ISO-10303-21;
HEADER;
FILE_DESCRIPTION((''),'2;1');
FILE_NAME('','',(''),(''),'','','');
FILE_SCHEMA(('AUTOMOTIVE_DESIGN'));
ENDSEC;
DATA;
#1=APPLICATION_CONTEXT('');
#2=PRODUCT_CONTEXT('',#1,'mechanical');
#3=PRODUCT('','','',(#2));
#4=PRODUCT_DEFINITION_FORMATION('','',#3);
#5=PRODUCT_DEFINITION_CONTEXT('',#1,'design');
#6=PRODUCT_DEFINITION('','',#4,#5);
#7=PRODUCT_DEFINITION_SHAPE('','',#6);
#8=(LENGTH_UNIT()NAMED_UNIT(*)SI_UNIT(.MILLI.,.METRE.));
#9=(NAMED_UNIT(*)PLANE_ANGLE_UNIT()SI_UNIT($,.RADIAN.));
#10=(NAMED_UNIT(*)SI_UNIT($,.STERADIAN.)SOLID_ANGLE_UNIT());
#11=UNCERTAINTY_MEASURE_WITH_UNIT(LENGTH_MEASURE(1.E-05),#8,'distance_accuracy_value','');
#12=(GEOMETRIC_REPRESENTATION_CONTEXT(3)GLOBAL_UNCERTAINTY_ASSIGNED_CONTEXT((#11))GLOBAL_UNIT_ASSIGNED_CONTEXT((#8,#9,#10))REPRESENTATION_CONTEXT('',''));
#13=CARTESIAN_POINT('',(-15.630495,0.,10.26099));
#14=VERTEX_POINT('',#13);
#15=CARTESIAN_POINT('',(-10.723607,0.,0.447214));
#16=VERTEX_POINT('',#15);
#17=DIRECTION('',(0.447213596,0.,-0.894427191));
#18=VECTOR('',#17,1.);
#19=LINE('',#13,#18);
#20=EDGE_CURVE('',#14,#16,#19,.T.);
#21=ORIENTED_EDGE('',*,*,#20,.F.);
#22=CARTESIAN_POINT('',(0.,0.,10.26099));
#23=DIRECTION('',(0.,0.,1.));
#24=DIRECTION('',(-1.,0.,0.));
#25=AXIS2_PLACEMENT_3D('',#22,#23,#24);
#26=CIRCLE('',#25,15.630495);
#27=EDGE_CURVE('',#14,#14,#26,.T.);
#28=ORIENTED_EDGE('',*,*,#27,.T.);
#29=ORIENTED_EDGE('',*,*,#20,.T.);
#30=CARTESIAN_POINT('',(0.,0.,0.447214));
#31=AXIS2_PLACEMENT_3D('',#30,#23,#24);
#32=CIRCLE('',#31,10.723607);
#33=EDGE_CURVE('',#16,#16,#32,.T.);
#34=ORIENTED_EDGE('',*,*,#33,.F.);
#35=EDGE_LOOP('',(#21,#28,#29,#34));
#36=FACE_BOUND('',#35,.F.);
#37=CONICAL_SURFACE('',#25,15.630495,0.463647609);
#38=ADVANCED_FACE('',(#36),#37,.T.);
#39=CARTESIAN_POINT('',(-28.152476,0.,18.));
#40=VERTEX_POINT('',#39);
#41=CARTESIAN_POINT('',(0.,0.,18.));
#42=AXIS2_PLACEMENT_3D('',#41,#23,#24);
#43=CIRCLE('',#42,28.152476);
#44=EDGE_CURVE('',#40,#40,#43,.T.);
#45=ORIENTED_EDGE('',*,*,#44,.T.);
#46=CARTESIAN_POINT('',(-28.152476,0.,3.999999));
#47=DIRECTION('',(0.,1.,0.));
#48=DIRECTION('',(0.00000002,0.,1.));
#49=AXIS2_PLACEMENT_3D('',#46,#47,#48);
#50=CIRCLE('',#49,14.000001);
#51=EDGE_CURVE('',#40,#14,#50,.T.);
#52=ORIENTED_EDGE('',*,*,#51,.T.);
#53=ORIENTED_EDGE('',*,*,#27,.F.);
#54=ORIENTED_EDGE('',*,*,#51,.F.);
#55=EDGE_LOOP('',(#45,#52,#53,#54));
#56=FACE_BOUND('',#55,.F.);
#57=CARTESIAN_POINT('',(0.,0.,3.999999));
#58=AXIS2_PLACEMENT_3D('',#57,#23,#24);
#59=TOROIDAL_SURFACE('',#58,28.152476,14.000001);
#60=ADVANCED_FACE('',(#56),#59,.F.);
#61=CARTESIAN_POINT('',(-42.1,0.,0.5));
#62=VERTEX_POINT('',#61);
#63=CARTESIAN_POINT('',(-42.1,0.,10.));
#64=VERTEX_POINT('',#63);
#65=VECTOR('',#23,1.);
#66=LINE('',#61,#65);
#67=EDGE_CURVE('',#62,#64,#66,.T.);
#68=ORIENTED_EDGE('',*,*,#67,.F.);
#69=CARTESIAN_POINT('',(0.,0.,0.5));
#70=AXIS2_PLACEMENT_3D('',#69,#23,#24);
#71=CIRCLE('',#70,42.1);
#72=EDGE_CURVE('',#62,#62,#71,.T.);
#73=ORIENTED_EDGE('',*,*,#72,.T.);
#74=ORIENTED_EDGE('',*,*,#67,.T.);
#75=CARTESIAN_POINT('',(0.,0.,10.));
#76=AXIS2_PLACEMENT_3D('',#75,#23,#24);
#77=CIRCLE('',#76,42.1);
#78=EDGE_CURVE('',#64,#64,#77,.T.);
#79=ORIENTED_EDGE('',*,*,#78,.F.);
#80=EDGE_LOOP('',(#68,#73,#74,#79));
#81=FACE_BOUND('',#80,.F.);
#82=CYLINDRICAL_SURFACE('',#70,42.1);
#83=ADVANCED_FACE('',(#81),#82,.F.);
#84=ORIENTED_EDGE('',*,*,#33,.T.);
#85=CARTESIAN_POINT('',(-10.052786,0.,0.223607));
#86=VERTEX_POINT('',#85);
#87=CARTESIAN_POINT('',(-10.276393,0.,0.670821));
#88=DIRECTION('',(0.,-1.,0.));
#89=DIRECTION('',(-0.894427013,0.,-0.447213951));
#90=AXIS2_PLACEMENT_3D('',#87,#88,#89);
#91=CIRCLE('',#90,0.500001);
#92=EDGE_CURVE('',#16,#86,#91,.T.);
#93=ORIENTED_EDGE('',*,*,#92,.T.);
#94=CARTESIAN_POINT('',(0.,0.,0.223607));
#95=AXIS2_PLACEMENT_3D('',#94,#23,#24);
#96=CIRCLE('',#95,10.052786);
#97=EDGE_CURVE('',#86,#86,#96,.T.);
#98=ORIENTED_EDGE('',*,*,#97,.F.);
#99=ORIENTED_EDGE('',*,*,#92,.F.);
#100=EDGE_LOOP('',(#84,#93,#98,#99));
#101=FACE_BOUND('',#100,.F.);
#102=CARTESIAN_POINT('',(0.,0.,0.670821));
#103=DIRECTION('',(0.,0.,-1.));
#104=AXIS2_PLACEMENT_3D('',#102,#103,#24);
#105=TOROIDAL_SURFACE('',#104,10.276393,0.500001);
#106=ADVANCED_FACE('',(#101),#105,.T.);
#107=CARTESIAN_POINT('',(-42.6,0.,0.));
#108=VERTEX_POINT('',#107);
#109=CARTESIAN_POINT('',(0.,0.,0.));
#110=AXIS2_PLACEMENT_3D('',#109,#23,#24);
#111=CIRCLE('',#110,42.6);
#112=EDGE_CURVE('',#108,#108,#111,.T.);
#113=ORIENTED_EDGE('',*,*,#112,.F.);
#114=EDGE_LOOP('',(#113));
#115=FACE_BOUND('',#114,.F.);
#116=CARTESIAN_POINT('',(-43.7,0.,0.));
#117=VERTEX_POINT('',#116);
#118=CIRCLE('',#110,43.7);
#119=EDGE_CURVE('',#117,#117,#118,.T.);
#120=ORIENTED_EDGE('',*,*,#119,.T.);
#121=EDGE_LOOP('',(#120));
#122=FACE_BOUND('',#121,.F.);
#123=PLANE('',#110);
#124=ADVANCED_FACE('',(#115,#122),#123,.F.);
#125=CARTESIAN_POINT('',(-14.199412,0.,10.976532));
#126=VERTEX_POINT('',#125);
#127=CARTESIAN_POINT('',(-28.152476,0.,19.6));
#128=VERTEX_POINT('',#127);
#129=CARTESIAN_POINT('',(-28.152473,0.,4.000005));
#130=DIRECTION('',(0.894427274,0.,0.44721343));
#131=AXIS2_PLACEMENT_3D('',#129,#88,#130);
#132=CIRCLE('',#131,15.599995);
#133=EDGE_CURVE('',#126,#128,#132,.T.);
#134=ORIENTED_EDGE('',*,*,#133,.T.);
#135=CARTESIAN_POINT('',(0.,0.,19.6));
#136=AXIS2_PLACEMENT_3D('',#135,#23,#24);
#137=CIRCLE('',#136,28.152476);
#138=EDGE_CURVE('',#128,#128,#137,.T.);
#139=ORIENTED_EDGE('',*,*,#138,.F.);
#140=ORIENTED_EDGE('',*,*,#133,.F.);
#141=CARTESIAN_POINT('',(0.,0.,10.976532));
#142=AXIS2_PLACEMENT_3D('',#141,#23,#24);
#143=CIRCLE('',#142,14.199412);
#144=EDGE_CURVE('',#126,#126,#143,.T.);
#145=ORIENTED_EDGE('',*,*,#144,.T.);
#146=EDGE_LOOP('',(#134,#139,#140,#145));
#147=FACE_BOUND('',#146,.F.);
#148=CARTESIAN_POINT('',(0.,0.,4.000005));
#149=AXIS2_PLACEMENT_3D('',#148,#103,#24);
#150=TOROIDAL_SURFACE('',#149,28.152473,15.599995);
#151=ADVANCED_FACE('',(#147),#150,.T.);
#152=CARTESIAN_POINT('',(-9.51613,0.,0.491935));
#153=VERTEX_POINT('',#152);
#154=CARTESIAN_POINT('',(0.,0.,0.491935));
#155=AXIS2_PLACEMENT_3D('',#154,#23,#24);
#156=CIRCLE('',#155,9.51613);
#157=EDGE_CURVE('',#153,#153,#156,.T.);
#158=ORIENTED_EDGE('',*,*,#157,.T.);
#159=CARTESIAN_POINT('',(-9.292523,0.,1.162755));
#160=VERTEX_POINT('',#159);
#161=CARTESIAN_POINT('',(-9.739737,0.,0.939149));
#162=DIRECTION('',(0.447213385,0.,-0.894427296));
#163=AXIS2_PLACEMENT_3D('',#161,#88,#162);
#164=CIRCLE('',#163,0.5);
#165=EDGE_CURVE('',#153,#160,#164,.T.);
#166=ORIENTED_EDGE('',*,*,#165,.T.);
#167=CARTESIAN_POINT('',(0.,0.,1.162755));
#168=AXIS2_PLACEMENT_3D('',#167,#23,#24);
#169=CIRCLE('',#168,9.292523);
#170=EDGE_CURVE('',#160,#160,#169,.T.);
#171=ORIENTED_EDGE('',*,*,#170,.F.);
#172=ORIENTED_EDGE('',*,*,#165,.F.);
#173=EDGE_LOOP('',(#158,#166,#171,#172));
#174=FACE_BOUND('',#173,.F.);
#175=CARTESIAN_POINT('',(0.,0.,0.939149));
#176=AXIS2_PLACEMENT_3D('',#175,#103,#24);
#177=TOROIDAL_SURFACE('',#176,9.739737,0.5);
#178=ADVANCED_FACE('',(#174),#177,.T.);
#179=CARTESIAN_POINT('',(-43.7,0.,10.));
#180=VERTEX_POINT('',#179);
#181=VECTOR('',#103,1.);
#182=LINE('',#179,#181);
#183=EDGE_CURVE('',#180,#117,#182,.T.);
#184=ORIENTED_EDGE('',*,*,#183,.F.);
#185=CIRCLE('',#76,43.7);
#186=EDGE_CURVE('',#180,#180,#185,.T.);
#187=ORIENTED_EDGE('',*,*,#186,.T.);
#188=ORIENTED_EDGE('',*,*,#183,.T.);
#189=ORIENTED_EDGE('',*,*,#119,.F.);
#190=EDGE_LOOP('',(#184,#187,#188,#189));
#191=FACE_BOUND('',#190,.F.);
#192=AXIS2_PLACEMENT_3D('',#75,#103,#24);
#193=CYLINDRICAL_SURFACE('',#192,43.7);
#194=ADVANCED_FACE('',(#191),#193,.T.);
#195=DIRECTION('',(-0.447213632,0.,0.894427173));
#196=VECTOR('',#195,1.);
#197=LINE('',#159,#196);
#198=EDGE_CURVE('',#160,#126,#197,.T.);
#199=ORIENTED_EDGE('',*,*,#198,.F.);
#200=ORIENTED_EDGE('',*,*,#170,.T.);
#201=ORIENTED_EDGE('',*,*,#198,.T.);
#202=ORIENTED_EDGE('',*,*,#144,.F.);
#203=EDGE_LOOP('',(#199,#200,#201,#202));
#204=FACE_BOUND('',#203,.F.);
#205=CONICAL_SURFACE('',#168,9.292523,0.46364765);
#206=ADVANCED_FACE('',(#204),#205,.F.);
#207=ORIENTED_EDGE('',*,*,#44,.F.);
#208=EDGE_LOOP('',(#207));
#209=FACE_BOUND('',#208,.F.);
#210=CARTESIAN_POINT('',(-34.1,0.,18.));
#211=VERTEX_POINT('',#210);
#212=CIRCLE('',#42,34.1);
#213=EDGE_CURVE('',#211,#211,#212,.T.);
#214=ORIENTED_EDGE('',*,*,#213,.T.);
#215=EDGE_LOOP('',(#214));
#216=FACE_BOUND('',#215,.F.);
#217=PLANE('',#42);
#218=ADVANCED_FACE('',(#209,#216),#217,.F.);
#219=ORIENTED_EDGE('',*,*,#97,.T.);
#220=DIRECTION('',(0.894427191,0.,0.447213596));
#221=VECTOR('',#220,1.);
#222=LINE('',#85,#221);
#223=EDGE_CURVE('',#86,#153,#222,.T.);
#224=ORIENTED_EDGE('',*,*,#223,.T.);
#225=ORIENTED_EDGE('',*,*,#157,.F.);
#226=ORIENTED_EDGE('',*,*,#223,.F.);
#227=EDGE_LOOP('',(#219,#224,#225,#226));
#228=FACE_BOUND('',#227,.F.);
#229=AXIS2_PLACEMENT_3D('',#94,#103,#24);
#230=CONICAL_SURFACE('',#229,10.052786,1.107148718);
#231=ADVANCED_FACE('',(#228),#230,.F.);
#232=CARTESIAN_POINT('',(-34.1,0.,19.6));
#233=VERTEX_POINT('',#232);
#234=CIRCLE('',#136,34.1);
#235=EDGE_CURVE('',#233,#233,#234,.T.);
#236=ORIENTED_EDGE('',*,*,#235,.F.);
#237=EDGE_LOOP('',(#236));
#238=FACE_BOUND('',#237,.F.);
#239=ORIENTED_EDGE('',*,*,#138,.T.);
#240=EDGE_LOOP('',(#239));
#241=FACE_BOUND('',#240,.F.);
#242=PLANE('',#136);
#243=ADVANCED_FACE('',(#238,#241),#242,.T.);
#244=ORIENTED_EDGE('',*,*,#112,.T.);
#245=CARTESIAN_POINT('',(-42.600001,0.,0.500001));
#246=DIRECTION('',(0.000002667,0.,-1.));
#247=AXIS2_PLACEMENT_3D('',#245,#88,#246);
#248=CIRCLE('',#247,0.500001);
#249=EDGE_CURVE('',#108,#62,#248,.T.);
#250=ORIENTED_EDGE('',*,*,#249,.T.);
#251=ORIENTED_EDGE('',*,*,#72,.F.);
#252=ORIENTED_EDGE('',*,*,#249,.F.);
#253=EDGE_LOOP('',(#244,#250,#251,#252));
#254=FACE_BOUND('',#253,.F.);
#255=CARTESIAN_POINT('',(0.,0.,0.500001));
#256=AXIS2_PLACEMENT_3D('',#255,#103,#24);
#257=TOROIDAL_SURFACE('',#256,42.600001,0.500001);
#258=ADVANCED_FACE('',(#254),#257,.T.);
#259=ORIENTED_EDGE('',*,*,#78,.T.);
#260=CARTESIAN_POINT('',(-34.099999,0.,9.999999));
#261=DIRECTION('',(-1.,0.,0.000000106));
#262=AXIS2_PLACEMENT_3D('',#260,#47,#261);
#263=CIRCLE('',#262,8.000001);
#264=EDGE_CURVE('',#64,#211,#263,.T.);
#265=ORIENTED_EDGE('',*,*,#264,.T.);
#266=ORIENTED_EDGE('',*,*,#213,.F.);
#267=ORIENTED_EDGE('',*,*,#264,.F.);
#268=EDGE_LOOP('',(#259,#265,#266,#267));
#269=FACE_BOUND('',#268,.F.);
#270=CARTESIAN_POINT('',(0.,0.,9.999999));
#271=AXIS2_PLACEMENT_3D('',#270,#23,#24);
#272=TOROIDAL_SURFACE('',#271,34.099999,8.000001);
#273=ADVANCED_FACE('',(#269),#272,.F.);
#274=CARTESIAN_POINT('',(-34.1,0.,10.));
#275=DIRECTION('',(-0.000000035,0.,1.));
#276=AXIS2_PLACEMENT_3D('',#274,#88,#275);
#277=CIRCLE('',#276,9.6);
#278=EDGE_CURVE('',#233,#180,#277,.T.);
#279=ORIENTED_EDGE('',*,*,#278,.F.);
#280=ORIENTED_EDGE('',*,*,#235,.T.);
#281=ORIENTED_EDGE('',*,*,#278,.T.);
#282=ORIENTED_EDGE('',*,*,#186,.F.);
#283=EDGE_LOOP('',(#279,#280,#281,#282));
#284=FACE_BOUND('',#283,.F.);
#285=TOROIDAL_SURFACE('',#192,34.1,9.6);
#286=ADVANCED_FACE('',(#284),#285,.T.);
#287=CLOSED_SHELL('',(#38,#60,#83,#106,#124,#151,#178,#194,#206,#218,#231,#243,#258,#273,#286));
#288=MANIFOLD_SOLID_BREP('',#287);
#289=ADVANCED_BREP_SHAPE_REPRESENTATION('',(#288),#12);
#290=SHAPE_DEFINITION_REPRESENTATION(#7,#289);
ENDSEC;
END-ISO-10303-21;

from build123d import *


with BuildPart() as f1:
    # F0 (on Front) → F1 (revolve)
    with BuildSketch(Plane.XZ):
        with BuildLine():
            Line((-15.630495, 10.26099), (-10.723607, 0.447214))
            ThreePointArc((-10.723607, 0.447214), (-10.434507, 0.196479), (-10.052786, 0.223607))
            Line((-10.052786, 0.223607), (-9.51613, 0.491935))
            ThreePointArc((-9.51613, 0.491935), (-9.265395, 0.781035), (-9.292523, 1.162755))
            Line((-9.292523, 1.162755), (-14.199412, 10.976532))
            ThreePointArc((-14.199412, 10.976532), (-19.95107, 17.270153), (-28.152476, 19.6))
            Line((-28.152476, 19.6), (-34.1, 19.6))
            ThreePointArc((-34.1, 19.6), (-40.888225, 16.788225), (-43.7, 10))
            Line((-43.7, 10), (-43.7, 0))
            Line((-43.7, 0), (-42.6, 0))
            ThreePointArc((-42.6, 0), (-42.246447, 0.146447), (-42.1, 0.5))
            Line((-42.1, 0.5), (-42.1, 10))
            ThreePointArc((-42.1, 10), (-39.756854, 15.656854), (-34.1, 18))
            Line((-34.1, 18), (-28.152476, 18))
            ThreePointArc((-28.152476, 18), (-20.79224, 15.909111), (-15.630495, 10.26099))
        make_face()
    revolve(axis=Axis((0, 0, 0.734674), (0, 0, 1)))


solid = f1.part
